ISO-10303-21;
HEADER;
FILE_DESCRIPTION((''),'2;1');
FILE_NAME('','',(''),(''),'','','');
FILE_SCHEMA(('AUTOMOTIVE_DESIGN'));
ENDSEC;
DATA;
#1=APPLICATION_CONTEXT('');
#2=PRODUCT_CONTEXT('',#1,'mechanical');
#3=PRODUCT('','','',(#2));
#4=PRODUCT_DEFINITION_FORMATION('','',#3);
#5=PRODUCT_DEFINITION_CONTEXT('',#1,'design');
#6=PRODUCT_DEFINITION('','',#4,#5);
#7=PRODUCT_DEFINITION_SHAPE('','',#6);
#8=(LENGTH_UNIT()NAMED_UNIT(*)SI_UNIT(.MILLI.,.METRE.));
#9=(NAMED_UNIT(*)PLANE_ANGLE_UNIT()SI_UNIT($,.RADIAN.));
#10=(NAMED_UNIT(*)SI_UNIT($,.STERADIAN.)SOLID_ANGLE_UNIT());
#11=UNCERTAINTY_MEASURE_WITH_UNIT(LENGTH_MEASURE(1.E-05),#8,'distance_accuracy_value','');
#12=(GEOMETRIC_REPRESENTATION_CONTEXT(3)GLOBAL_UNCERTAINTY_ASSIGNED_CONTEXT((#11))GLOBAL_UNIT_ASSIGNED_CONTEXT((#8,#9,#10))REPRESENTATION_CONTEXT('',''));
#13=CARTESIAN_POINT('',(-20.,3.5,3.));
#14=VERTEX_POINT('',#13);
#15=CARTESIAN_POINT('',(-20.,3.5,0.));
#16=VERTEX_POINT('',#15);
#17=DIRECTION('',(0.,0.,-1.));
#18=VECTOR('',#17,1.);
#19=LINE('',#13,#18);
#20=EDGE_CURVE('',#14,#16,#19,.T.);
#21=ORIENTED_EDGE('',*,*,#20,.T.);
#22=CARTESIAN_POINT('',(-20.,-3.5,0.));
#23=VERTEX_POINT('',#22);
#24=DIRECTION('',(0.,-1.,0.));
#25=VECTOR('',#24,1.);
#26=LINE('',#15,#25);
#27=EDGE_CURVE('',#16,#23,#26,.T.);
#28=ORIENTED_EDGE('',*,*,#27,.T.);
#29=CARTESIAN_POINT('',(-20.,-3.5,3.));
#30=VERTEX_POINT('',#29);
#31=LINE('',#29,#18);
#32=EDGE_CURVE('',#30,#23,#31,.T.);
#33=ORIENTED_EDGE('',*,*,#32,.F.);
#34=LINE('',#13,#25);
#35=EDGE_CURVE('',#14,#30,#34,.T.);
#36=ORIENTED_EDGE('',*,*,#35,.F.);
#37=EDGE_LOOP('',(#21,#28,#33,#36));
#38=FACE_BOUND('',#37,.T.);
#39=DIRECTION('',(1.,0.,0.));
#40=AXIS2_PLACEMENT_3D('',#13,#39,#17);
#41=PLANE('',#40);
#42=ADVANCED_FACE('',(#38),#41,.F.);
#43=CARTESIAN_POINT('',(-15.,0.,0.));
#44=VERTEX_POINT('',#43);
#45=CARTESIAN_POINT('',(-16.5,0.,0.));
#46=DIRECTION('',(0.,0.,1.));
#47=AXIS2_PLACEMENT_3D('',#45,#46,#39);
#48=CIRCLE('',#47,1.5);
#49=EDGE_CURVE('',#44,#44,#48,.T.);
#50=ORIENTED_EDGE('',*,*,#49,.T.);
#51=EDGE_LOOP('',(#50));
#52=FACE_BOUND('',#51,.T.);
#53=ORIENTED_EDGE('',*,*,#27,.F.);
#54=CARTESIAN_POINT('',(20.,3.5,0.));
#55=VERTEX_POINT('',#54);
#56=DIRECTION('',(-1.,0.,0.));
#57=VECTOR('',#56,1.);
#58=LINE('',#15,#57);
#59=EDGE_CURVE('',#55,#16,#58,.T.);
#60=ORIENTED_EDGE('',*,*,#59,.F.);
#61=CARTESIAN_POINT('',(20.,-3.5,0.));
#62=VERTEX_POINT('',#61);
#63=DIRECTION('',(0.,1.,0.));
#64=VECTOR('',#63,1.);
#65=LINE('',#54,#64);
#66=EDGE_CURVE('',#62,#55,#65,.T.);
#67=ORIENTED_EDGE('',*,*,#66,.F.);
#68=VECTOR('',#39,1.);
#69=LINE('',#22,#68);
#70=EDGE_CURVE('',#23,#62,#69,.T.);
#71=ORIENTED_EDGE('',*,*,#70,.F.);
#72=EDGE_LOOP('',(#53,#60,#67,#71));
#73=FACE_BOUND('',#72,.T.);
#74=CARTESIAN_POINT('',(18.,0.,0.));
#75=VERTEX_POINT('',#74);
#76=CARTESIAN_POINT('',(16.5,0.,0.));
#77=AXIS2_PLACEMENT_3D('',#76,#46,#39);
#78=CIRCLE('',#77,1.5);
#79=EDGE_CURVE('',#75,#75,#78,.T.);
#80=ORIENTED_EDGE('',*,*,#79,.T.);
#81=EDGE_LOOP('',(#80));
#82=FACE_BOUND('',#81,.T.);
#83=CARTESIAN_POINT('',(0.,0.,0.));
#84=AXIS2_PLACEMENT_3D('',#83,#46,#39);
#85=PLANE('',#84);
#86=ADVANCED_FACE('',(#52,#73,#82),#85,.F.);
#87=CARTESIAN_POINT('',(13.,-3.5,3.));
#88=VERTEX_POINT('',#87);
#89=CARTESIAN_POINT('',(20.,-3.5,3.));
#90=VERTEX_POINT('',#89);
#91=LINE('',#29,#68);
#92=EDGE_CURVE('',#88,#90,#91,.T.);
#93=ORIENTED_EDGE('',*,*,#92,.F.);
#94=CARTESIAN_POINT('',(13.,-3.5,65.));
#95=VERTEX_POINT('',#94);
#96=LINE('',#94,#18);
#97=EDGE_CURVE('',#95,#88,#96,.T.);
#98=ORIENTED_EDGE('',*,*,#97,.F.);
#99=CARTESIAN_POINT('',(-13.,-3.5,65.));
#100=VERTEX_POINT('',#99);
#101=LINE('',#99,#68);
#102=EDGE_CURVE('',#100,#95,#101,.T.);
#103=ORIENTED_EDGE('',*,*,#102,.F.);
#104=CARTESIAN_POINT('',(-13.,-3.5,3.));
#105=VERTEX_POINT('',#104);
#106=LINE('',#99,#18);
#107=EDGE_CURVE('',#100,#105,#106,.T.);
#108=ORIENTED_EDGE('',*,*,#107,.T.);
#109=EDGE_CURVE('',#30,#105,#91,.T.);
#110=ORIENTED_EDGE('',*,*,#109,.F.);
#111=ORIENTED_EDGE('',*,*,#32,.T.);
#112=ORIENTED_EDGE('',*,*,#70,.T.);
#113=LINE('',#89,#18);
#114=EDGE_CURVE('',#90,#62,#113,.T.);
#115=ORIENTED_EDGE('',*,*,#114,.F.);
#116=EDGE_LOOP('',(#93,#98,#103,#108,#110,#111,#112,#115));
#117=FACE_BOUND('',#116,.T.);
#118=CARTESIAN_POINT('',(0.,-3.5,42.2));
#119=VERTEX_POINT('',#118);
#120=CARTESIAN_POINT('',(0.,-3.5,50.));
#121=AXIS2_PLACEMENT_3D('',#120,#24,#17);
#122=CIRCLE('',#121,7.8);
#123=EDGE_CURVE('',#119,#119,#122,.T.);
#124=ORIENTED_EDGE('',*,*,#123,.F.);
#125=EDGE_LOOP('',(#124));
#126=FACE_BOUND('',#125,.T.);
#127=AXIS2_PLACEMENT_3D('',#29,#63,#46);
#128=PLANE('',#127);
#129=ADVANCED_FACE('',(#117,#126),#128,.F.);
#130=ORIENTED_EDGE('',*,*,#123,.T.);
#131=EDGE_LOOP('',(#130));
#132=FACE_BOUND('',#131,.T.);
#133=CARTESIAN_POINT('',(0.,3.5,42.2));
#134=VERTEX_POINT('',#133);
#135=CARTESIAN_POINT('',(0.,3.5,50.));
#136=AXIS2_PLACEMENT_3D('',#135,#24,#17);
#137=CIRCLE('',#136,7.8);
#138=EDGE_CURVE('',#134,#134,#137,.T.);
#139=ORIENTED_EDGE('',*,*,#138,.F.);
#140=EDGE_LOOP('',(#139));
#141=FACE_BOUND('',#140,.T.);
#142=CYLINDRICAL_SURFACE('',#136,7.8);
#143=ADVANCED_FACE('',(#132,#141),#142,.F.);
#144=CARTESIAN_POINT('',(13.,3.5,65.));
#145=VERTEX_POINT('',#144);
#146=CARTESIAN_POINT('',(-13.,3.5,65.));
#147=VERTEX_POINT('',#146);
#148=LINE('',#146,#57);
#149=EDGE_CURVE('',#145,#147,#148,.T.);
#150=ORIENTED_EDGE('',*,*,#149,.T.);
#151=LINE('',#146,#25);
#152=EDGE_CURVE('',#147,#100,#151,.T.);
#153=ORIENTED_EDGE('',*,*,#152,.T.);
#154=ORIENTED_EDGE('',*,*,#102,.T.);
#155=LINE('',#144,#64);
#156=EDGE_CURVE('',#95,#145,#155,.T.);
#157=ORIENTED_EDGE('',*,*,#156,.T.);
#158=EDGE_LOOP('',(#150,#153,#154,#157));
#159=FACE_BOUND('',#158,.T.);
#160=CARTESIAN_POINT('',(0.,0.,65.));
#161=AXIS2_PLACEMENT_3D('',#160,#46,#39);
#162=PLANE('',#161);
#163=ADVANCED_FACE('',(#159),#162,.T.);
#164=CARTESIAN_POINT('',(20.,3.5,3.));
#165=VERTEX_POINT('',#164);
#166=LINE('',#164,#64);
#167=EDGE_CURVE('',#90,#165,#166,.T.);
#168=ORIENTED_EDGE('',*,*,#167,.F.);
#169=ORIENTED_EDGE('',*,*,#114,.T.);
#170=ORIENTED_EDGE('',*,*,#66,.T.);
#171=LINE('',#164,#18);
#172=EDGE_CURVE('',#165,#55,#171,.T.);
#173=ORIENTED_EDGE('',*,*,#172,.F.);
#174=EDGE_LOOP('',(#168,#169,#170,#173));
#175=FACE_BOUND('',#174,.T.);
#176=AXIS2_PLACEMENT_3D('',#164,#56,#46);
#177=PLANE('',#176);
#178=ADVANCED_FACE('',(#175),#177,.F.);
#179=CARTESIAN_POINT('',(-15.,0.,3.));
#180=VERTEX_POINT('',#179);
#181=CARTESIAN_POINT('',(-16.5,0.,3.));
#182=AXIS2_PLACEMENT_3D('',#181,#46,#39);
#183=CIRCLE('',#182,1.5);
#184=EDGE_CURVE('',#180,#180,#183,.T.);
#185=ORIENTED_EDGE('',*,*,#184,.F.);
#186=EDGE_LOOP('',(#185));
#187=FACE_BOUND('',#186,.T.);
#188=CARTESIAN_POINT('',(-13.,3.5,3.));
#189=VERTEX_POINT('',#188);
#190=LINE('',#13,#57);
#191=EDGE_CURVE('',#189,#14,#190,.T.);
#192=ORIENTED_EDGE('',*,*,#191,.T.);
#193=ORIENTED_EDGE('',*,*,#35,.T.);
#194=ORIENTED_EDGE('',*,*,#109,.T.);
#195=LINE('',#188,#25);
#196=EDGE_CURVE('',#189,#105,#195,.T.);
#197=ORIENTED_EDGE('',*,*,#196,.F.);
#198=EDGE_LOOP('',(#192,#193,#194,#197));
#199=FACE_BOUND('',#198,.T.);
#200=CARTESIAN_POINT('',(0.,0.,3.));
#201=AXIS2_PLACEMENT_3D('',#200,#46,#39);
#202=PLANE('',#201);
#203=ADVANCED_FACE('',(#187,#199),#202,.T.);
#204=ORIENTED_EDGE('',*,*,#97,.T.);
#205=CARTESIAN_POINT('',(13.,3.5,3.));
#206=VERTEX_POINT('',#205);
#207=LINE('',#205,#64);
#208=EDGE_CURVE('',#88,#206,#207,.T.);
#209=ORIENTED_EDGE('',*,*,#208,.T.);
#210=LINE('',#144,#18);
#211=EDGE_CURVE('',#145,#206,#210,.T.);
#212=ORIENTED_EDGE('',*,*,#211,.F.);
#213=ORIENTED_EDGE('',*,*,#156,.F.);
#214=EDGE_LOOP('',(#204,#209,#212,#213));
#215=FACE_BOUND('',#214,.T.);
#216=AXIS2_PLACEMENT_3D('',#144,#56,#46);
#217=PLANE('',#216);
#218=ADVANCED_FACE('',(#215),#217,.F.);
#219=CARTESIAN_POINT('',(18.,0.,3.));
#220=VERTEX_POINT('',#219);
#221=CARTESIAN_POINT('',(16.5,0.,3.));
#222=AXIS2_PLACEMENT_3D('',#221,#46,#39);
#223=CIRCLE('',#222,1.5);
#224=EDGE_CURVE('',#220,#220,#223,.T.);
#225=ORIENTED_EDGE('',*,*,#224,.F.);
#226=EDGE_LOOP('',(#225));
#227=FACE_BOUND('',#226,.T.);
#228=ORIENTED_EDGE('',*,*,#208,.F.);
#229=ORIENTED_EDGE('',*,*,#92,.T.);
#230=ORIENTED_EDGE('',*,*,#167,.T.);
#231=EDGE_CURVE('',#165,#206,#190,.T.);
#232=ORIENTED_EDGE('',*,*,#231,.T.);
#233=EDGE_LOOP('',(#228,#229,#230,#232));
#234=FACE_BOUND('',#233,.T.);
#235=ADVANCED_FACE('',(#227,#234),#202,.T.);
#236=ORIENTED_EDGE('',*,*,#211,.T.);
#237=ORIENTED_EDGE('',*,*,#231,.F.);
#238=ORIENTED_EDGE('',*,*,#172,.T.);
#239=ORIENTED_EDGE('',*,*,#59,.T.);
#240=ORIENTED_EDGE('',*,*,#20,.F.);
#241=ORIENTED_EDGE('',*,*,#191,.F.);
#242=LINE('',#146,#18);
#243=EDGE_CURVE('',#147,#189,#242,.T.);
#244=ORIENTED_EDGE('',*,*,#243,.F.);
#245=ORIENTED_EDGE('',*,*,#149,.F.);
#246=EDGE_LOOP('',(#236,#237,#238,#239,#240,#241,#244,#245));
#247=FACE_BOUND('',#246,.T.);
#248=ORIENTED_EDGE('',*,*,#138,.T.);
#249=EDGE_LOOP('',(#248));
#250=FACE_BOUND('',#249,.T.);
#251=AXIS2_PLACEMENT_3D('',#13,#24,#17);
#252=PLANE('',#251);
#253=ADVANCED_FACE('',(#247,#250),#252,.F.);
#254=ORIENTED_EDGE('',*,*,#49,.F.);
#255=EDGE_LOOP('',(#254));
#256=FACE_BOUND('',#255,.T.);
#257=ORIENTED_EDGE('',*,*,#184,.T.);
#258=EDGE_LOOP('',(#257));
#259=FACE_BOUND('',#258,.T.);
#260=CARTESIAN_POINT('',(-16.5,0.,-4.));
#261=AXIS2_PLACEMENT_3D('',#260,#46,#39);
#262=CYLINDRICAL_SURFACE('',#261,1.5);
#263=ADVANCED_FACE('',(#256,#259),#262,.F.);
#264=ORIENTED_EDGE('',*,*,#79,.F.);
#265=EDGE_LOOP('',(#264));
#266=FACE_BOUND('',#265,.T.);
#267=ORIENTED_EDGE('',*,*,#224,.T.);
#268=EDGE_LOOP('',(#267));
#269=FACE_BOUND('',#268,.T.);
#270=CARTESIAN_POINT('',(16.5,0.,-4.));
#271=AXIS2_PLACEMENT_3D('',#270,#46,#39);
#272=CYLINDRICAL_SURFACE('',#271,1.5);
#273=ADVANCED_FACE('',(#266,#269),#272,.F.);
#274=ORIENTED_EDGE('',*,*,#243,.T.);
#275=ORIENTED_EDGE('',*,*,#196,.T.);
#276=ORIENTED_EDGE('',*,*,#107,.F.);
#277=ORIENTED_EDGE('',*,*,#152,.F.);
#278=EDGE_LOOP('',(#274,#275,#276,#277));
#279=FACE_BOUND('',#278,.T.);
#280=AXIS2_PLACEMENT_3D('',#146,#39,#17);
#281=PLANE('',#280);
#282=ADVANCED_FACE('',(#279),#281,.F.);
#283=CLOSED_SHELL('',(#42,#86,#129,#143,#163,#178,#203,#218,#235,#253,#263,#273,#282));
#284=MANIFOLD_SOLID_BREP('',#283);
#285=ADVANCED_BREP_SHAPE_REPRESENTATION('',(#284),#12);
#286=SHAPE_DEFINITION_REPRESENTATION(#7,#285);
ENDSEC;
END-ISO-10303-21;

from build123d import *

# Parameters (mm, degrees)
SKETCH_1_W          = 40
SKETCH_1_H          = 7
EXTRUDE_1_DEPTH     = 3
SKETCH_2_W          = 26
SKETCH_2_H          = 7
EXTRUDE_2_DEPTH     = 62
SKETCH_3_R          = 7.8
CUT_EXTRUDE_1_DEPTH = 7
SKETCH_4_R          = 1.5
CUT_EXTRUDE_2_DEPTH = 7
SKETCH_5_R          = 1.5
CUT_EXTRUDE_3_DEPTH = 7


with BuildPart() as part:
    # Эскиз1 → Бобышка-Вытянуть1 (new body)
    with BuildSketch(Plane.XY):
        Rectangle(SKETCH_1_W, SKETCH_1_H)
    extrude(amount=EXTRUDE_1_DEPTH)

    # Эскиз2 → Бобышка-Вытянуть2 (add)
    with BuildSketch(Plane.XY.offset(3)):
        Rectangle(SKETCH_2_W, SKETCH_2_H)
    extrude(amount=EXTRUDE_2_DEPTH)

    # Эскиз3 → Вырез-Вытянуть1 (cut)
    with BuildSketch(Plane(origin=(0, -3.5, 0), x_dir=(-1, 0, 0), z_dir=(0, -1, 0))):
        with Locations((0, -50)):
            Circle(SKETCH_3_R)
    extrude(amount=-CUT_EXTRUDE_1_DEPTH, mode=Mode.SUBTRACT)

    # Эскиз4 → Вырез-Вытянуть2 (cut)
    with BuildSketch(Plane.XY.offset(3)):
        with Locations((-16.5, 0)):
            Circle(SKETCH_4_R)
    extrude(amount=-CUT_EXTRUDE_2_DEPTH, mode=Mode.SUBTRACT)

    # Эскиз5 → Вырез-Вытянуть3 (cut)
    with BuildSketch(Plane.XY.offset(3)):
        with Locations((16.5, 0)):
            Circle(SKETCH_5_R)
    extrude(amount=-CUT_EXTRUDE_3_DEPTH, mode=Mode.SUBTRACT)


solid = part.part
